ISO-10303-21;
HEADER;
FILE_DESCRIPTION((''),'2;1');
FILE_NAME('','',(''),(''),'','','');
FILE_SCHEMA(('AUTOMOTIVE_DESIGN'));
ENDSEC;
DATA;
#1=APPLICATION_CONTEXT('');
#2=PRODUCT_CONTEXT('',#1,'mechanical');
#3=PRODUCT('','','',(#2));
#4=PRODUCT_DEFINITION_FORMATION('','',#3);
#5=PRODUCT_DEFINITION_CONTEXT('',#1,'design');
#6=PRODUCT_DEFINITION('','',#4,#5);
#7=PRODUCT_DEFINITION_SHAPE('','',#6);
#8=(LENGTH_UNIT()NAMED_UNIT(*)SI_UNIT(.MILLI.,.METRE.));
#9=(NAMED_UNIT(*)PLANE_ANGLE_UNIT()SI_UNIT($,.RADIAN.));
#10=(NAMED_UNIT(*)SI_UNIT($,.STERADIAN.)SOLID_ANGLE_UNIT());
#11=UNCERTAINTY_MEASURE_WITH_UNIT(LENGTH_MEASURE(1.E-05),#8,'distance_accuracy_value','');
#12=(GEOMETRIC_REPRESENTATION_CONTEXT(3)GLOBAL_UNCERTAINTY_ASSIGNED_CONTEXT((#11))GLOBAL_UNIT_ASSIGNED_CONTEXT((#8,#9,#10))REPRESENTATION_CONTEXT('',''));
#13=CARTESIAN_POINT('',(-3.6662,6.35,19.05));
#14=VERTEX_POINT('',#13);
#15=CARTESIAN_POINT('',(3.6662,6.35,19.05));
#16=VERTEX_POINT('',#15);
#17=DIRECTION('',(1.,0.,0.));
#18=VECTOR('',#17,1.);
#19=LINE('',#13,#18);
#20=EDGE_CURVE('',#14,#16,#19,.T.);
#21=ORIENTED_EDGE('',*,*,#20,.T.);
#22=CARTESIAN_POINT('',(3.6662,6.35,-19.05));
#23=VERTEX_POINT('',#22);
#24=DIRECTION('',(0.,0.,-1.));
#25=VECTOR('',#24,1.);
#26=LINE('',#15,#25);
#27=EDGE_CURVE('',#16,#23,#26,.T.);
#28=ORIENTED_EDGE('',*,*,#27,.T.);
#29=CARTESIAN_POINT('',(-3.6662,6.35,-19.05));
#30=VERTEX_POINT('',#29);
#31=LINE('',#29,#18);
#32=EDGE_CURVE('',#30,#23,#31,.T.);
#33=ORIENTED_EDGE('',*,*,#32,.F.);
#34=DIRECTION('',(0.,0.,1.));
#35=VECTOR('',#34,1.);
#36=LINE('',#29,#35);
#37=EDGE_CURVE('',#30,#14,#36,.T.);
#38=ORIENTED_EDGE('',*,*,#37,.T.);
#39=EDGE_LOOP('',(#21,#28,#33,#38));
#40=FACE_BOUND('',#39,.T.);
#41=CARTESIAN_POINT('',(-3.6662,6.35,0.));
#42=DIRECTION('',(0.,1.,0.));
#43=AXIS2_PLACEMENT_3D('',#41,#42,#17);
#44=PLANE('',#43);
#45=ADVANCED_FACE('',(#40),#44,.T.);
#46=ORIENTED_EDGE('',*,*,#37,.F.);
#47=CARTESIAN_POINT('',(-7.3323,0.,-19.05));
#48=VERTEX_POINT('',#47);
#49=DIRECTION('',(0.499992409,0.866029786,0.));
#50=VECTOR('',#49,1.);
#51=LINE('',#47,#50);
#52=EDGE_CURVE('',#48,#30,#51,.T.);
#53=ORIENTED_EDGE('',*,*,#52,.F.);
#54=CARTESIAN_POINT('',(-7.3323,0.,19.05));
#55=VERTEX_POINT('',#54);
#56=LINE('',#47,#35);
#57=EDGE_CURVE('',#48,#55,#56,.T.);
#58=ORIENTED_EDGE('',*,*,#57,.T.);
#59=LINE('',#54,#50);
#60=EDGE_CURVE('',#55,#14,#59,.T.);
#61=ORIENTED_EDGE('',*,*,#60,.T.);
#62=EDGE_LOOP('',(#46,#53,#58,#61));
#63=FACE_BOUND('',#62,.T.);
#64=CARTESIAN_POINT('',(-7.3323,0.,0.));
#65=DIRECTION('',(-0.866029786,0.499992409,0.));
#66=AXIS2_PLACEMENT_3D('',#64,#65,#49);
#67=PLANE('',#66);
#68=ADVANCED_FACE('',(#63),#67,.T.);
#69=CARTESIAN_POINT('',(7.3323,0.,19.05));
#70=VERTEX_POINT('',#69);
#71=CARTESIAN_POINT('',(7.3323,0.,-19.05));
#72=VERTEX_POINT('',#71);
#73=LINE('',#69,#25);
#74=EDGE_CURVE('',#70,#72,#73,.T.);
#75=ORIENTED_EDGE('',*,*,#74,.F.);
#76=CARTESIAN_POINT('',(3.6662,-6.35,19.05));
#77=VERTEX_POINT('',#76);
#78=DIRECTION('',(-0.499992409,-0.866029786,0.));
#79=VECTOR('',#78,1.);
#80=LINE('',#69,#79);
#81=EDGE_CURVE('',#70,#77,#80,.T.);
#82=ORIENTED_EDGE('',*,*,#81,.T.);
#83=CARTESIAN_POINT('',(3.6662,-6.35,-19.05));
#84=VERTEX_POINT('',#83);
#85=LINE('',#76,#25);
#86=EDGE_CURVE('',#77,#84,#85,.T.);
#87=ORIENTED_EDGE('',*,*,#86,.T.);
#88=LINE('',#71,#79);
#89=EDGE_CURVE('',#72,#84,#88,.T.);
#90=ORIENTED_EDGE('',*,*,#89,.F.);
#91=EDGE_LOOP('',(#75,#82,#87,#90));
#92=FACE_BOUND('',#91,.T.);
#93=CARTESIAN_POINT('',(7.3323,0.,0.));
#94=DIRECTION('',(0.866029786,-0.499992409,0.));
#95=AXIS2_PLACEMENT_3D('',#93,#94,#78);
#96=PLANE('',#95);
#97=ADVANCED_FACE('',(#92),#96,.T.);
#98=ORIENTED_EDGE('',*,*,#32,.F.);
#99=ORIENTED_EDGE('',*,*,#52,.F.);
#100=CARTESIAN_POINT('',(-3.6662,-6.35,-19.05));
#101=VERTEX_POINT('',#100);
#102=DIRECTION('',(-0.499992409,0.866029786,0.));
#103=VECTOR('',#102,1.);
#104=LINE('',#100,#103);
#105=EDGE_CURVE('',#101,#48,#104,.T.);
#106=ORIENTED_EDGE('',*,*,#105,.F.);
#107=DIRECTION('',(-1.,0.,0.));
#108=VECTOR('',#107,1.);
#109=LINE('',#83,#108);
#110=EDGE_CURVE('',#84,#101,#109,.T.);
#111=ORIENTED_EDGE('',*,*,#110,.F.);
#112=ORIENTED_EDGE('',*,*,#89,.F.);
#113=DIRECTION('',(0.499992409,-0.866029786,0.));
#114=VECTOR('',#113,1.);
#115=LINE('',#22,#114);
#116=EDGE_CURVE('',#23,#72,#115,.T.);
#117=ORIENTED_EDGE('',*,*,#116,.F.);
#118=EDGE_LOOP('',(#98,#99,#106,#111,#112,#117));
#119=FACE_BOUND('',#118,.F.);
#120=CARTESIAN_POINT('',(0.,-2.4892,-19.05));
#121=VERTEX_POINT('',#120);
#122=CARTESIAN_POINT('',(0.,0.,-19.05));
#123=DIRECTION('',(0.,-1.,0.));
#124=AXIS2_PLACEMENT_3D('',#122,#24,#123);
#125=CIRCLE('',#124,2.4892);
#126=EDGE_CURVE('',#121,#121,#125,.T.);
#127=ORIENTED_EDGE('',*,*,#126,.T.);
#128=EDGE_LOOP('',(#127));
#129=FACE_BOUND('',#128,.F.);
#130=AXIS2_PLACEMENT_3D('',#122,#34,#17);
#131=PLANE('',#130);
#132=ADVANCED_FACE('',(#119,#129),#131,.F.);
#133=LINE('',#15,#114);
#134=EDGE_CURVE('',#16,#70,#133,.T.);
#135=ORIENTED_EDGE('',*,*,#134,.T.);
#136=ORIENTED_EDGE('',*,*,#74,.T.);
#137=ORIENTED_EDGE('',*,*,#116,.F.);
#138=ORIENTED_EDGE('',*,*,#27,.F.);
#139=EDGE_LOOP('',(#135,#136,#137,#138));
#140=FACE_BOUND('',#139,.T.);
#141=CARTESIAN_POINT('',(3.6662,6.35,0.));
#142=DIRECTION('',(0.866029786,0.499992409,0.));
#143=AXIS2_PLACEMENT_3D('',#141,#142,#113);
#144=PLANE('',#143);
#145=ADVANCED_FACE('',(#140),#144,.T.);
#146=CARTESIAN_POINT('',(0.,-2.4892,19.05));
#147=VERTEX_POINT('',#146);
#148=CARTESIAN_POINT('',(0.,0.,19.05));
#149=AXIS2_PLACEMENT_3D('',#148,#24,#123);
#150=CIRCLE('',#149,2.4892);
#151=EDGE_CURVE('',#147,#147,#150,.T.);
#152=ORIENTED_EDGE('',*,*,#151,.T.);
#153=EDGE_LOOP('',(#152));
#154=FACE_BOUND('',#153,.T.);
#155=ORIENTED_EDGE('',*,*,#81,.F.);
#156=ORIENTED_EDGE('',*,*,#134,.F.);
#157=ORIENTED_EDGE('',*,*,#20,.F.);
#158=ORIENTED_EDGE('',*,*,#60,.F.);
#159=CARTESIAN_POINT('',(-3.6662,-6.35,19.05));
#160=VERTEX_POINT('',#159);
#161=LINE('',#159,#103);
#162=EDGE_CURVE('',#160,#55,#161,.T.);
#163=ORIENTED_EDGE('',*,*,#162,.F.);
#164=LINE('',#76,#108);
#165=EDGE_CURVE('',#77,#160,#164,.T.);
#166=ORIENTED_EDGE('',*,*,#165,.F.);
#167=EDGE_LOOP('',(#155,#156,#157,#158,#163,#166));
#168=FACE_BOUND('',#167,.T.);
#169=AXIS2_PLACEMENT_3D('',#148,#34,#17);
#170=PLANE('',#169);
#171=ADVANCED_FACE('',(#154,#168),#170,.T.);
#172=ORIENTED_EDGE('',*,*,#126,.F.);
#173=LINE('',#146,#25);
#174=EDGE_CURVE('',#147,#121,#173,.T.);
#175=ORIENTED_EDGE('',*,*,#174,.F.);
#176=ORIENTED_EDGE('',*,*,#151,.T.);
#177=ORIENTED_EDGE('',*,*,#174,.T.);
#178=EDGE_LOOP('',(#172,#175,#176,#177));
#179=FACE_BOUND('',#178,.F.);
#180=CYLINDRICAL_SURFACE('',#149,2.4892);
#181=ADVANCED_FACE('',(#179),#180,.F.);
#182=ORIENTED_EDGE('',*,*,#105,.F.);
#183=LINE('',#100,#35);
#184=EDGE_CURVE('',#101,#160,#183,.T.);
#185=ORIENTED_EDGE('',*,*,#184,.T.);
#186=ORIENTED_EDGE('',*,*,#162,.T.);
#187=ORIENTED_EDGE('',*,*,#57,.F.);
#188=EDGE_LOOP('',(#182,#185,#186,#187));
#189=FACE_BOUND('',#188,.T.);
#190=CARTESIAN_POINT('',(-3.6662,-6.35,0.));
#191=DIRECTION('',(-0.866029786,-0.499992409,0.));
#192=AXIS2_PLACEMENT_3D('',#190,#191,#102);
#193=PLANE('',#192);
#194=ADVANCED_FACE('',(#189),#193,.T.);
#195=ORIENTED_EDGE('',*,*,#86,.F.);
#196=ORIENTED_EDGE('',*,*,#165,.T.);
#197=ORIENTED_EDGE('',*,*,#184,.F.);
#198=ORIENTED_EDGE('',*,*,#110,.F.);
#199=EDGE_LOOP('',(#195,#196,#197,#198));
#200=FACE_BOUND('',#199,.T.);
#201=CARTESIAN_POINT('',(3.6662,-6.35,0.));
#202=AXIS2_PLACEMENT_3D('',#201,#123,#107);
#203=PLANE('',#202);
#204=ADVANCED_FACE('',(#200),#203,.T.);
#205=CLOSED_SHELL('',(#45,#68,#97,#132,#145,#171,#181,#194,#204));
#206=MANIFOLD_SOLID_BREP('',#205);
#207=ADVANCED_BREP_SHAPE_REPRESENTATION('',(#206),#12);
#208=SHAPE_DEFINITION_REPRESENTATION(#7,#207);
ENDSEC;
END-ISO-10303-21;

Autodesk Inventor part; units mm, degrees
ref_plane "YZ Plane" through (0, 0, 0) normal (1, 0, 0) x (0, 1, 0)
ref_plane "XZ Plane" through (0, 0, 0) normal (0, 1, 0) x (-1, 0, 0)
ref_plane "XY Plane" through (0, 0, 0) normal (0, 0, 1) x (1, 0, 0)
sketch "Sketch1" plane through (0, 0, 0) normal (0, 0, 1) x (1, 0, 0)
  line L0 (-3.6662, 6.35) -> (3.6662, 6.35)
  line L1 (3.6662, 6.35) -> (7.3323, 0)
  line L2 (7.3323, 0) -> (3.6662, -6.35)
  line L3 (3.6662, -6.35) -> (-3.6662, -6.35)
  line L4 (-3.6662, -6.35) -> (-7.3323, 0)
  line L5 (-7.3323, 0) -> (-3.6662, 6.35)
  point P0 (0, 0)
  point P1 (0, 0)
  dimension "d0" = 12.7
extrude "Extrusion1" add sketch "Sketch1" along normal mid plane 38.1
sketch "Sketch2" plane through (0, 0, 19.05) normal (0, 0, 1) x (1, 0, 0)
  point P0 (0, 0)
  point P1 (0, 0)
hole "Hole1" at (0, 0, 19.05) direction (0, 0, -1) diameter 4.9784 end through all thread size "1/4-20 UNC" class "2B" standard "ANSI Unified Screw Threads"
properties part number "Hex Standoff 14-20 x1500" material "Aluminum 6061"
